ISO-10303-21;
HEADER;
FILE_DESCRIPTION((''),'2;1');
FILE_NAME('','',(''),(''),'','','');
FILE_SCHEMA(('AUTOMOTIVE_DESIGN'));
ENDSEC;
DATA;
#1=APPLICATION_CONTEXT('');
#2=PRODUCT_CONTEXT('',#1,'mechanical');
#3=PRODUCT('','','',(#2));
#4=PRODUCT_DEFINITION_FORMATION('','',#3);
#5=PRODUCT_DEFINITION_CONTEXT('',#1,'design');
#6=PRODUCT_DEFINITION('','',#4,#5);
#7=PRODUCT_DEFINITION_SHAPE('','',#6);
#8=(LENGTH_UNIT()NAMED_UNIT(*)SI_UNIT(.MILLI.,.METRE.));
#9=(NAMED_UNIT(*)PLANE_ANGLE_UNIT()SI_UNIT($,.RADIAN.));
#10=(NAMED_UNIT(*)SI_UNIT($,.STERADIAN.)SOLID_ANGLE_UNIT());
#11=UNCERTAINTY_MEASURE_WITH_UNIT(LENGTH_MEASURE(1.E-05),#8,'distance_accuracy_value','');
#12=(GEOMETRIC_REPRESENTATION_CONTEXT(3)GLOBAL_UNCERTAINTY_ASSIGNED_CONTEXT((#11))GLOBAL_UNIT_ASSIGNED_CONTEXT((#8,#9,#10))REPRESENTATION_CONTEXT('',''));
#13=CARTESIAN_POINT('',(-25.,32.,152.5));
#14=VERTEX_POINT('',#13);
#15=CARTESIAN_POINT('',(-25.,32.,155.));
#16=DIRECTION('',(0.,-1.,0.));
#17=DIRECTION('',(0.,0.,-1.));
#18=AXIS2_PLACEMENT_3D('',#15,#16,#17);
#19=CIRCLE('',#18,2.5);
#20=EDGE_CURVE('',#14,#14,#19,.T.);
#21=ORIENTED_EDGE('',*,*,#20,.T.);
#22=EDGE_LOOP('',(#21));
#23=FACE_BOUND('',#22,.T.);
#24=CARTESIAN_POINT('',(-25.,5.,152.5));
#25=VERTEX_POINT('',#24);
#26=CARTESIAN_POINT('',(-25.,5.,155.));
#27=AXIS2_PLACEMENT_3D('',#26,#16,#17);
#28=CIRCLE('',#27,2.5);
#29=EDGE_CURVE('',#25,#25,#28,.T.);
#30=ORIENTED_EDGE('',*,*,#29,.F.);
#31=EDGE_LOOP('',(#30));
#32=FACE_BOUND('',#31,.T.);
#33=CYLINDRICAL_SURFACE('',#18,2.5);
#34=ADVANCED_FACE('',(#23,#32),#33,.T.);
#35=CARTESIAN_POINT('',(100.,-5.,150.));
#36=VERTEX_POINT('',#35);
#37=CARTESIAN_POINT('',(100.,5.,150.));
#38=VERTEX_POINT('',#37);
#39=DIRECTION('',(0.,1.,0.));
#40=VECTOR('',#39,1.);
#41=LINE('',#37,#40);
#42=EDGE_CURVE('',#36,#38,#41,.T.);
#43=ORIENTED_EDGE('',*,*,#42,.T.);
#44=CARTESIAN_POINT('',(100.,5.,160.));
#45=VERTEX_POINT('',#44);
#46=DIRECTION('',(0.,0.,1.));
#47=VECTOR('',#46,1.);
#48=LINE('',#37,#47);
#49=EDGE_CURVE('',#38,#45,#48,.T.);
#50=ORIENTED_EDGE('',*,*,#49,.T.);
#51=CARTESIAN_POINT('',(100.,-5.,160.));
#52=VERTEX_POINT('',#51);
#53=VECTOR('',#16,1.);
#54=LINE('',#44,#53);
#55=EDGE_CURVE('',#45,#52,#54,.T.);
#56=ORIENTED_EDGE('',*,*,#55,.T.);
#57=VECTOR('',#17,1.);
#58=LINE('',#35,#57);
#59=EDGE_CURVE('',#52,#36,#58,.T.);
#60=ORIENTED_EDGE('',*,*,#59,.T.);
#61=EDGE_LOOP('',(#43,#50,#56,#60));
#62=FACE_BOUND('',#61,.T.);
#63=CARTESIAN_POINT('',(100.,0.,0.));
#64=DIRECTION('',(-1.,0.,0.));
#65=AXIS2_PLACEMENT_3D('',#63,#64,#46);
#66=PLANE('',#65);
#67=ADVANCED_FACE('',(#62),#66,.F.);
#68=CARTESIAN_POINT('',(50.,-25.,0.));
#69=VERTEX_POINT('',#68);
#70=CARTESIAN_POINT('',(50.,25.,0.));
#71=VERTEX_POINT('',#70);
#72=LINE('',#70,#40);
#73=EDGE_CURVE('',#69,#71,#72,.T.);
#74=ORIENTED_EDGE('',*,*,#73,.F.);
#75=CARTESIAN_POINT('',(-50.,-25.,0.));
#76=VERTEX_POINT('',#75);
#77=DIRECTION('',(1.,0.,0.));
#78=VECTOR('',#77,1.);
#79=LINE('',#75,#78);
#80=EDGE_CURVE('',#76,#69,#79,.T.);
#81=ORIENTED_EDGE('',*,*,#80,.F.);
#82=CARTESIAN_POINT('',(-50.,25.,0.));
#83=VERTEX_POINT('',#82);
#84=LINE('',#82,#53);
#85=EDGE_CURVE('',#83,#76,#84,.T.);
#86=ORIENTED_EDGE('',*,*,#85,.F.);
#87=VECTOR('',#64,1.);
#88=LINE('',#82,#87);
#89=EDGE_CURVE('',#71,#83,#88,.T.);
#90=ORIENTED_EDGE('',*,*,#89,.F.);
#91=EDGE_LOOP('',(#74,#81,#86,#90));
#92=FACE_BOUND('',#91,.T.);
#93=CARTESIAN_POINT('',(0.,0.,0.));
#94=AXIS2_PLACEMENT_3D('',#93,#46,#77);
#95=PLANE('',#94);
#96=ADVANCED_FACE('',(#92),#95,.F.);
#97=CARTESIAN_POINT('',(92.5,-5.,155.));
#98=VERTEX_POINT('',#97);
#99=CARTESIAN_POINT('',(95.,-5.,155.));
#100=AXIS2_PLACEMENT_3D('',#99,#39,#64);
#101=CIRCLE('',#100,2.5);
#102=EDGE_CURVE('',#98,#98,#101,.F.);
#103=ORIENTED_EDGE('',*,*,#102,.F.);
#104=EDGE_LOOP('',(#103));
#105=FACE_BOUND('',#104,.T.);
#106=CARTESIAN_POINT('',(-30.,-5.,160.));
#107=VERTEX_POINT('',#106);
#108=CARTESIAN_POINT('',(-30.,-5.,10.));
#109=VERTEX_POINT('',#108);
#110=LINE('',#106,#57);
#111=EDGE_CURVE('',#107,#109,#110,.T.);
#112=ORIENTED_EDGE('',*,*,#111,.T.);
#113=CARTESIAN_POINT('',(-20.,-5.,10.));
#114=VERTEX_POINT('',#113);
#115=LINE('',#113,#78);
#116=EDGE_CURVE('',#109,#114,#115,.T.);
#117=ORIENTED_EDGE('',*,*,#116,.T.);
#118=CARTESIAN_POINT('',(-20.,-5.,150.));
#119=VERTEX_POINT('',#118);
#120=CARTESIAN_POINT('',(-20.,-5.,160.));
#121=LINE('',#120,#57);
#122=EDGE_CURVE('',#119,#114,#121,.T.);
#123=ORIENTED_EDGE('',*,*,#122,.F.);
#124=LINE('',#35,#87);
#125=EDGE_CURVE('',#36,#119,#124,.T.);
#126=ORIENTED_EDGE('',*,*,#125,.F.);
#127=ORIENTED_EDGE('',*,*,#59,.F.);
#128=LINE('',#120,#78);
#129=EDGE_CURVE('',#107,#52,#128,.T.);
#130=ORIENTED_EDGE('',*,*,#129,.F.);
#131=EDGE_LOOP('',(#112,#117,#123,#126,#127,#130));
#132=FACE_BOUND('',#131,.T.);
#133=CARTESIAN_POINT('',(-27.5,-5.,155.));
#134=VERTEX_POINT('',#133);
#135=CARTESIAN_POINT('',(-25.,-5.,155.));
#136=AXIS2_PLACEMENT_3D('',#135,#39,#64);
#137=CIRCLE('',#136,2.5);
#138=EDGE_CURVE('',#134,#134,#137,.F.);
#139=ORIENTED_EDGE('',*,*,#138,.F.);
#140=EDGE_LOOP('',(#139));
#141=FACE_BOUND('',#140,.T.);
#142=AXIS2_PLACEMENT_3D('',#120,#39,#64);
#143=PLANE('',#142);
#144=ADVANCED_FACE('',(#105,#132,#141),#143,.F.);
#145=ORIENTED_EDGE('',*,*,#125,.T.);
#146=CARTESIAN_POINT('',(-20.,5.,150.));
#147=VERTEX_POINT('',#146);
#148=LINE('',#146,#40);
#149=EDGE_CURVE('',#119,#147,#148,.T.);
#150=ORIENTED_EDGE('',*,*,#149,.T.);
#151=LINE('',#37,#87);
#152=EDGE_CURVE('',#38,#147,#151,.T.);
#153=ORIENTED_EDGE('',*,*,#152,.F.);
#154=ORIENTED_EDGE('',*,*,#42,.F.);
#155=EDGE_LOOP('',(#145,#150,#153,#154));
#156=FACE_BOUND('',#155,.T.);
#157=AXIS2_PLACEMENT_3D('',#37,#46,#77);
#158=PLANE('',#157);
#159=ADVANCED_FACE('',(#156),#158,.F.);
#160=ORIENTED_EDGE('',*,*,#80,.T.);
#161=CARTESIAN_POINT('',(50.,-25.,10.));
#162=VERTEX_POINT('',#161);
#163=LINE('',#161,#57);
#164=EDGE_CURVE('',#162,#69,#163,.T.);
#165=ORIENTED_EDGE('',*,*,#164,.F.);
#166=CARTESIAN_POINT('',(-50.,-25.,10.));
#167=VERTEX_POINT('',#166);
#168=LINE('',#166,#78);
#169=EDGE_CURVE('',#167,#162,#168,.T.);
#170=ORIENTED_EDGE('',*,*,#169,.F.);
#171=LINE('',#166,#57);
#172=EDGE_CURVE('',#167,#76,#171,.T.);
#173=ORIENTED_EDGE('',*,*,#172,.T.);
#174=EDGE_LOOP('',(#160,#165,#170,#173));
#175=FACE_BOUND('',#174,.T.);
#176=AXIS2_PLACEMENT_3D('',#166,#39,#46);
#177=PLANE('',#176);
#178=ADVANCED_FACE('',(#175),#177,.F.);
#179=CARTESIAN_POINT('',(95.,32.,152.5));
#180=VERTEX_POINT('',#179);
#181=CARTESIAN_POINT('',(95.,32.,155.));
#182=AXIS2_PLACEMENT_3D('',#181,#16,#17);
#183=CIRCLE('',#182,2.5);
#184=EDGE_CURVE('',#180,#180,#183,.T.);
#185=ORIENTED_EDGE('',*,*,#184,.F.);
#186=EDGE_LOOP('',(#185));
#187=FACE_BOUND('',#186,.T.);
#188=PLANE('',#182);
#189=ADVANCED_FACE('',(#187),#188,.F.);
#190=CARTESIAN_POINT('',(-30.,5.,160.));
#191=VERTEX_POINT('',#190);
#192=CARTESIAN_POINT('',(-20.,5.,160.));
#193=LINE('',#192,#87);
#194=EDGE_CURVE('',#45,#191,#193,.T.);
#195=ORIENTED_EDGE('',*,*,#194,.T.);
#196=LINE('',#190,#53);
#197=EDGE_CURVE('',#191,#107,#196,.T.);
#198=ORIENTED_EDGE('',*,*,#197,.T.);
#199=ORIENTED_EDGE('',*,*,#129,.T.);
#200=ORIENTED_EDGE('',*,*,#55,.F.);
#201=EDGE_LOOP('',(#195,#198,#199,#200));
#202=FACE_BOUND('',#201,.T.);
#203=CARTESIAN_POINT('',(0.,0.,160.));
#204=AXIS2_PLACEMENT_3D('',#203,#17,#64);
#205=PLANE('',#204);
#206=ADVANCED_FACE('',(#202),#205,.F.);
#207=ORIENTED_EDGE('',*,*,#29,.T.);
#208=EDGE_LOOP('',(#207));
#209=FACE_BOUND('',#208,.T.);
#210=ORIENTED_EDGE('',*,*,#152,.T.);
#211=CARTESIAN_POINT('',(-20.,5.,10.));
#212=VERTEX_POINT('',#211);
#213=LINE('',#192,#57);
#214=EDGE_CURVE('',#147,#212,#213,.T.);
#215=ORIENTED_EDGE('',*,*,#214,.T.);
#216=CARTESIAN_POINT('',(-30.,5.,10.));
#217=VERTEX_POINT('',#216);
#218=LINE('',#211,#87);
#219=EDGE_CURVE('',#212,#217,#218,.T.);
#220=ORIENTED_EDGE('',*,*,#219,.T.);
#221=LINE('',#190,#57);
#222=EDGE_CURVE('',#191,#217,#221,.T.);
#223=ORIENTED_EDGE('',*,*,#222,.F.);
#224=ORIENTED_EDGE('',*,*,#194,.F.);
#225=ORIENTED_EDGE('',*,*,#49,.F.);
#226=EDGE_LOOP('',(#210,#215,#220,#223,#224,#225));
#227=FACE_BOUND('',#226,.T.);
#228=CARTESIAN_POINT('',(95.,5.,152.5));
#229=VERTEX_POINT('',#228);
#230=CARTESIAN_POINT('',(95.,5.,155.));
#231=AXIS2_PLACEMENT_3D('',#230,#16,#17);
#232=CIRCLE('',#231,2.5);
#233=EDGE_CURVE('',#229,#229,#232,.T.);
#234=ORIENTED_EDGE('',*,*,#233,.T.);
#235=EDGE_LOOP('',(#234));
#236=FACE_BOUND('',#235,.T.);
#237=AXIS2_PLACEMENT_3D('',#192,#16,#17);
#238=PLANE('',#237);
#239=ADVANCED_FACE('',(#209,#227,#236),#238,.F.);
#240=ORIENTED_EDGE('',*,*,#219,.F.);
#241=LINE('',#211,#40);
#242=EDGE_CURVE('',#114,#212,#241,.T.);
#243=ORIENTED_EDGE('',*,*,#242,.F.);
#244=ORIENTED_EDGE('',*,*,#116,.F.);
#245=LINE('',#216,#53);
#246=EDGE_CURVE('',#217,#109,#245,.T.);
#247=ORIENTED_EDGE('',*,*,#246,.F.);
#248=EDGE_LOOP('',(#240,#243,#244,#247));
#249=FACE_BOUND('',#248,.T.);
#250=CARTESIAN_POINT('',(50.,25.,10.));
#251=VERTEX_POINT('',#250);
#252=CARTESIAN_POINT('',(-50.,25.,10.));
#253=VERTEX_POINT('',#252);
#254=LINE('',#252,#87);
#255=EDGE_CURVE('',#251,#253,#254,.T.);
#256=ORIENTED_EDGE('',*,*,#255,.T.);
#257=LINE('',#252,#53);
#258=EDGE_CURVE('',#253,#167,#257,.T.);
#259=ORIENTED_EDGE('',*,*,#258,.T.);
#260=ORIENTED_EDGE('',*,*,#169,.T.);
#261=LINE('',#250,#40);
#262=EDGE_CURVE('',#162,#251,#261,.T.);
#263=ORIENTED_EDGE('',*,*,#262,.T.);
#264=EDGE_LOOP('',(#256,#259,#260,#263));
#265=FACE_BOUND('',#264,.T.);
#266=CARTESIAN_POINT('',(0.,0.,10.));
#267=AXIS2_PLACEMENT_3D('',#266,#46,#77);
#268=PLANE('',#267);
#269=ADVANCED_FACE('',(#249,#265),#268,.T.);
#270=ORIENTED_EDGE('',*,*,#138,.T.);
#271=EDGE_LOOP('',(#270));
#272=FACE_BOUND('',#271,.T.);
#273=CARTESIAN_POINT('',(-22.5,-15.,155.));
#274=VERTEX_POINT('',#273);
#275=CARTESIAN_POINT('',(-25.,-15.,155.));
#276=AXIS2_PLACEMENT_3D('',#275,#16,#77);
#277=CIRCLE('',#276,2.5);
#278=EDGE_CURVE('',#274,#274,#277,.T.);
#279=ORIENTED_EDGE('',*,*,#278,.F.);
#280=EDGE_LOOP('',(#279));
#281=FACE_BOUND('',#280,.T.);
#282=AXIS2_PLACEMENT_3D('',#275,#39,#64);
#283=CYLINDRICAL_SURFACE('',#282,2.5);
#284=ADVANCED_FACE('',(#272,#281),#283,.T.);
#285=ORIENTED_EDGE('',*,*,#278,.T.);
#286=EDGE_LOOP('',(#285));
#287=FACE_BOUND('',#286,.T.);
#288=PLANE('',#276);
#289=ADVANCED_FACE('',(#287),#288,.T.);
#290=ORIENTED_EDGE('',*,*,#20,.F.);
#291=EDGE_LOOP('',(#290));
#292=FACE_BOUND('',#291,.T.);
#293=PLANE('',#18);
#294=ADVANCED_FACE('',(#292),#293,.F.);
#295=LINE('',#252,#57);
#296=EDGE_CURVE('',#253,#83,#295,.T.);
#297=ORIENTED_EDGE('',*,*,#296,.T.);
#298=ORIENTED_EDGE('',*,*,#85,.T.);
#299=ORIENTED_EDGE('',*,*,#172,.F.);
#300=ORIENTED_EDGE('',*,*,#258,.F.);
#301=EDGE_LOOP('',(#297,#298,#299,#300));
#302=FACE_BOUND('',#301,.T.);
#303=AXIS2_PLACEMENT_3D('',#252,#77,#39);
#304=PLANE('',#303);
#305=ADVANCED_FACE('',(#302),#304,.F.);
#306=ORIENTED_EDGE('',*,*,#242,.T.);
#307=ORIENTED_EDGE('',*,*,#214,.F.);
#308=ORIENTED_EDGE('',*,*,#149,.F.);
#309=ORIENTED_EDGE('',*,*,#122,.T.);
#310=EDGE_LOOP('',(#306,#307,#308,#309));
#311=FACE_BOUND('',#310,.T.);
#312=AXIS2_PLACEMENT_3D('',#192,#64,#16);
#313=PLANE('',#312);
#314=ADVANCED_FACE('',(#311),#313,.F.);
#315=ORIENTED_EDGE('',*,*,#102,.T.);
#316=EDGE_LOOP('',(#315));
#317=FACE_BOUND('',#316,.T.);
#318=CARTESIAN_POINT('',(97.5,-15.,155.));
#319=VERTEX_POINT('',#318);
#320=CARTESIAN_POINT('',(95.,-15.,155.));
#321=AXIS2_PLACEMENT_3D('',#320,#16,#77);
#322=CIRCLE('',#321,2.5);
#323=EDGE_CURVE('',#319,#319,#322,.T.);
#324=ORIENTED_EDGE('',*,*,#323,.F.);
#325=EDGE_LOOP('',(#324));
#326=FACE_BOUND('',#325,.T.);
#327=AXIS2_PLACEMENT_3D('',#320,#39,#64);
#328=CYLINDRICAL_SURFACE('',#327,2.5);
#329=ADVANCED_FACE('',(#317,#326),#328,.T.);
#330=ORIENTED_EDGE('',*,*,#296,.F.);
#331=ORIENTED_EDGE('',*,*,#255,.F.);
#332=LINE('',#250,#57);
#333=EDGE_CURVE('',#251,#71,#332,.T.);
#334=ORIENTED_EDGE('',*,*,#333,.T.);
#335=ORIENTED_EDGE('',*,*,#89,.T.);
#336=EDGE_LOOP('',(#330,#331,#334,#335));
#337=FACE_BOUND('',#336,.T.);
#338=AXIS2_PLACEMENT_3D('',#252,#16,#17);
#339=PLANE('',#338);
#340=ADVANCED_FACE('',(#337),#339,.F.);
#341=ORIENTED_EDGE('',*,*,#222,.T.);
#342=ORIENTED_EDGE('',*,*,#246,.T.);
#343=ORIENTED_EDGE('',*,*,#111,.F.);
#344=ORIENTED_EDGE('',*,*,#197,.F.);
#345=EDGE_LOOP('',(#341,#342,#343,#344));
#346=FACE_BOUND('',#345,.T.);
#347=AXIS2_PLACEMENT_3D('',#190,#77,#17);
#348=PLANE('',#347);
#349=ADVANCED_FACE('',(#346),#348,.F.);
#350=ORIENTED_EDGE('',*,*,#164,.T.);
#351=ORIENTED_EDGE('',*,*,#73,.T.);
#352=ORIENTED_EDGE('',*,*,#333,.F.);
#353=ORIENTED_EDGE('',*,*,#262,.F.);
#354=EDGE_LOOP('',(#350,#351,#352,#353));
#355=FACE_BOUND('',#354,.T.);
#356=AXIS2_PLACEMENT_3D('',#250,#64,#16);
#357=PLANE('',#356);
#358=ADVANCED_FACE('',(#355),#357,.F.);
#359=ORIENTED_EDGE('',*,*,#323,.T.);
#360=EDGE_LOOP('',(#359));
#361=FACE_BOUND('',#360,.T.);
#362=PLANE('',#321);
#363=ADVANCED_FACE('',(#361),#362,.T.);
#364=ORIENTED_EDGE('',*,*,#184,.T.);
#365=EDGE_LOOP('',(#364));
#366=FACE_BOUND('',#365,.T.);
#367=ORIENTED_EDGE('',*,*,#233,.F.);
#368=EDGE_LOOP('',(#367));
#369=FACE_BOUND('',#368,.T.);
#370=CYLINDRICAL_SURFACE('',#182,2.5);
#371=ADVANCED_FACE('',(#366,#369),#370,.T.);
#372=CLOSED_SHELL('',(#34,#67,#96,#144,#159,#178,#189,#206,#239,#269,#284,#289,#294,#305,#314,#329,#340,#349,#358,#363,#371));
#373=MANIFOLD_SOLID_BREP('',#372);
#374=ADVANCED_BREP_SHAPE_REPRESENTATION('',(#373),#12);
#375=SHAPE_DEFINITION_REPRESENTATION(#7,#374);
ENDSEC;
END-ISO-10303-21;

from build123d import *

# Parameters (mm, degrees)
SKETCH1_W           = 100
SKETCH1_H           = 50
BOSS_EXTRUDE1_DEPTH = 10
SKETCH2_W           = 10
SKETCH2_H           = 10
BOSS_EXTRUDE2_DEPTH = 150
SKETCH3_W           = 10
SKETCH3_H           = 10
BOSS_EXTRUDE3_DEPTH = 120
SKETCH4_R           = 2.5
BOSS_EXTRUDE4_DEPTH = 10
BOSS_EXTRUDE5_START = -27
SKETCH5_R           = 2.5
BOSS_EXTRUDE5_DEPTH = 27


with BuildPart() as part:
    # Sketch1 → Boss-Extrude1 (new body)
    with BuildSketch(Plane.XY):
        Rectangle(SKETCH1_W, SKETCH1_H)
    extrude(amount=BOSS_EXTRUDE1_DEPTH)

    # Sketch2 → Boss-Extrude2 (add)
    with BuildSketch(Plane.XY.offset(10)):
        with Locations((-25, 0)):
            Rectangle(SKETCH2_W, SKETCH2_H)
    extrude(amount=BOSS_EXTRUDE2_DEPTH)

    # Sketch3 → Boss-Extrude3 (add)
    with BuildSketch(Plane(origin=(-20, 0, 0), x_dir=(0, 0, -1), z_dir=(1, 0, 0))):
        with Locations((-155, 0)):
            Rectangle(SKETCH3_W, SKETCH3_H)
    extrude(amount=BOSS_EXTRUDE3_DEPTH)

    # Sketch4 → Boss-Extrude4 (add)
    with BuildSketch(Plane.XZ.offset(5)):
        with Locations(Location((-25, 155, 0), (0, 0, 180))):
            Circle(SKETCH4_R)
        with Locations(Location((95, 155, 0), (0, 0, 180))):
            Circle(SKETCH4_R)
    extrude(amount=BOSS_EXTRUDE4_DEPTH)

    # Sketch5 → Boss-Extrude5 (add)
    with BuildSketch(Plane(origin=(0, 5, -5), x_dir=(-1, 0, 0), z_dir=(0, -1, 0)).offset(BOSS_EXTRUDE5_START)):
        with Locations((-95, -160)):
            Circle(SKETCH5_R)
        with Locations((25, -160)):
            Circle(SKETCH5_R)
    extrude(amount=BOSS_EXTRUDE5_DEPTH)


solid = part.part
